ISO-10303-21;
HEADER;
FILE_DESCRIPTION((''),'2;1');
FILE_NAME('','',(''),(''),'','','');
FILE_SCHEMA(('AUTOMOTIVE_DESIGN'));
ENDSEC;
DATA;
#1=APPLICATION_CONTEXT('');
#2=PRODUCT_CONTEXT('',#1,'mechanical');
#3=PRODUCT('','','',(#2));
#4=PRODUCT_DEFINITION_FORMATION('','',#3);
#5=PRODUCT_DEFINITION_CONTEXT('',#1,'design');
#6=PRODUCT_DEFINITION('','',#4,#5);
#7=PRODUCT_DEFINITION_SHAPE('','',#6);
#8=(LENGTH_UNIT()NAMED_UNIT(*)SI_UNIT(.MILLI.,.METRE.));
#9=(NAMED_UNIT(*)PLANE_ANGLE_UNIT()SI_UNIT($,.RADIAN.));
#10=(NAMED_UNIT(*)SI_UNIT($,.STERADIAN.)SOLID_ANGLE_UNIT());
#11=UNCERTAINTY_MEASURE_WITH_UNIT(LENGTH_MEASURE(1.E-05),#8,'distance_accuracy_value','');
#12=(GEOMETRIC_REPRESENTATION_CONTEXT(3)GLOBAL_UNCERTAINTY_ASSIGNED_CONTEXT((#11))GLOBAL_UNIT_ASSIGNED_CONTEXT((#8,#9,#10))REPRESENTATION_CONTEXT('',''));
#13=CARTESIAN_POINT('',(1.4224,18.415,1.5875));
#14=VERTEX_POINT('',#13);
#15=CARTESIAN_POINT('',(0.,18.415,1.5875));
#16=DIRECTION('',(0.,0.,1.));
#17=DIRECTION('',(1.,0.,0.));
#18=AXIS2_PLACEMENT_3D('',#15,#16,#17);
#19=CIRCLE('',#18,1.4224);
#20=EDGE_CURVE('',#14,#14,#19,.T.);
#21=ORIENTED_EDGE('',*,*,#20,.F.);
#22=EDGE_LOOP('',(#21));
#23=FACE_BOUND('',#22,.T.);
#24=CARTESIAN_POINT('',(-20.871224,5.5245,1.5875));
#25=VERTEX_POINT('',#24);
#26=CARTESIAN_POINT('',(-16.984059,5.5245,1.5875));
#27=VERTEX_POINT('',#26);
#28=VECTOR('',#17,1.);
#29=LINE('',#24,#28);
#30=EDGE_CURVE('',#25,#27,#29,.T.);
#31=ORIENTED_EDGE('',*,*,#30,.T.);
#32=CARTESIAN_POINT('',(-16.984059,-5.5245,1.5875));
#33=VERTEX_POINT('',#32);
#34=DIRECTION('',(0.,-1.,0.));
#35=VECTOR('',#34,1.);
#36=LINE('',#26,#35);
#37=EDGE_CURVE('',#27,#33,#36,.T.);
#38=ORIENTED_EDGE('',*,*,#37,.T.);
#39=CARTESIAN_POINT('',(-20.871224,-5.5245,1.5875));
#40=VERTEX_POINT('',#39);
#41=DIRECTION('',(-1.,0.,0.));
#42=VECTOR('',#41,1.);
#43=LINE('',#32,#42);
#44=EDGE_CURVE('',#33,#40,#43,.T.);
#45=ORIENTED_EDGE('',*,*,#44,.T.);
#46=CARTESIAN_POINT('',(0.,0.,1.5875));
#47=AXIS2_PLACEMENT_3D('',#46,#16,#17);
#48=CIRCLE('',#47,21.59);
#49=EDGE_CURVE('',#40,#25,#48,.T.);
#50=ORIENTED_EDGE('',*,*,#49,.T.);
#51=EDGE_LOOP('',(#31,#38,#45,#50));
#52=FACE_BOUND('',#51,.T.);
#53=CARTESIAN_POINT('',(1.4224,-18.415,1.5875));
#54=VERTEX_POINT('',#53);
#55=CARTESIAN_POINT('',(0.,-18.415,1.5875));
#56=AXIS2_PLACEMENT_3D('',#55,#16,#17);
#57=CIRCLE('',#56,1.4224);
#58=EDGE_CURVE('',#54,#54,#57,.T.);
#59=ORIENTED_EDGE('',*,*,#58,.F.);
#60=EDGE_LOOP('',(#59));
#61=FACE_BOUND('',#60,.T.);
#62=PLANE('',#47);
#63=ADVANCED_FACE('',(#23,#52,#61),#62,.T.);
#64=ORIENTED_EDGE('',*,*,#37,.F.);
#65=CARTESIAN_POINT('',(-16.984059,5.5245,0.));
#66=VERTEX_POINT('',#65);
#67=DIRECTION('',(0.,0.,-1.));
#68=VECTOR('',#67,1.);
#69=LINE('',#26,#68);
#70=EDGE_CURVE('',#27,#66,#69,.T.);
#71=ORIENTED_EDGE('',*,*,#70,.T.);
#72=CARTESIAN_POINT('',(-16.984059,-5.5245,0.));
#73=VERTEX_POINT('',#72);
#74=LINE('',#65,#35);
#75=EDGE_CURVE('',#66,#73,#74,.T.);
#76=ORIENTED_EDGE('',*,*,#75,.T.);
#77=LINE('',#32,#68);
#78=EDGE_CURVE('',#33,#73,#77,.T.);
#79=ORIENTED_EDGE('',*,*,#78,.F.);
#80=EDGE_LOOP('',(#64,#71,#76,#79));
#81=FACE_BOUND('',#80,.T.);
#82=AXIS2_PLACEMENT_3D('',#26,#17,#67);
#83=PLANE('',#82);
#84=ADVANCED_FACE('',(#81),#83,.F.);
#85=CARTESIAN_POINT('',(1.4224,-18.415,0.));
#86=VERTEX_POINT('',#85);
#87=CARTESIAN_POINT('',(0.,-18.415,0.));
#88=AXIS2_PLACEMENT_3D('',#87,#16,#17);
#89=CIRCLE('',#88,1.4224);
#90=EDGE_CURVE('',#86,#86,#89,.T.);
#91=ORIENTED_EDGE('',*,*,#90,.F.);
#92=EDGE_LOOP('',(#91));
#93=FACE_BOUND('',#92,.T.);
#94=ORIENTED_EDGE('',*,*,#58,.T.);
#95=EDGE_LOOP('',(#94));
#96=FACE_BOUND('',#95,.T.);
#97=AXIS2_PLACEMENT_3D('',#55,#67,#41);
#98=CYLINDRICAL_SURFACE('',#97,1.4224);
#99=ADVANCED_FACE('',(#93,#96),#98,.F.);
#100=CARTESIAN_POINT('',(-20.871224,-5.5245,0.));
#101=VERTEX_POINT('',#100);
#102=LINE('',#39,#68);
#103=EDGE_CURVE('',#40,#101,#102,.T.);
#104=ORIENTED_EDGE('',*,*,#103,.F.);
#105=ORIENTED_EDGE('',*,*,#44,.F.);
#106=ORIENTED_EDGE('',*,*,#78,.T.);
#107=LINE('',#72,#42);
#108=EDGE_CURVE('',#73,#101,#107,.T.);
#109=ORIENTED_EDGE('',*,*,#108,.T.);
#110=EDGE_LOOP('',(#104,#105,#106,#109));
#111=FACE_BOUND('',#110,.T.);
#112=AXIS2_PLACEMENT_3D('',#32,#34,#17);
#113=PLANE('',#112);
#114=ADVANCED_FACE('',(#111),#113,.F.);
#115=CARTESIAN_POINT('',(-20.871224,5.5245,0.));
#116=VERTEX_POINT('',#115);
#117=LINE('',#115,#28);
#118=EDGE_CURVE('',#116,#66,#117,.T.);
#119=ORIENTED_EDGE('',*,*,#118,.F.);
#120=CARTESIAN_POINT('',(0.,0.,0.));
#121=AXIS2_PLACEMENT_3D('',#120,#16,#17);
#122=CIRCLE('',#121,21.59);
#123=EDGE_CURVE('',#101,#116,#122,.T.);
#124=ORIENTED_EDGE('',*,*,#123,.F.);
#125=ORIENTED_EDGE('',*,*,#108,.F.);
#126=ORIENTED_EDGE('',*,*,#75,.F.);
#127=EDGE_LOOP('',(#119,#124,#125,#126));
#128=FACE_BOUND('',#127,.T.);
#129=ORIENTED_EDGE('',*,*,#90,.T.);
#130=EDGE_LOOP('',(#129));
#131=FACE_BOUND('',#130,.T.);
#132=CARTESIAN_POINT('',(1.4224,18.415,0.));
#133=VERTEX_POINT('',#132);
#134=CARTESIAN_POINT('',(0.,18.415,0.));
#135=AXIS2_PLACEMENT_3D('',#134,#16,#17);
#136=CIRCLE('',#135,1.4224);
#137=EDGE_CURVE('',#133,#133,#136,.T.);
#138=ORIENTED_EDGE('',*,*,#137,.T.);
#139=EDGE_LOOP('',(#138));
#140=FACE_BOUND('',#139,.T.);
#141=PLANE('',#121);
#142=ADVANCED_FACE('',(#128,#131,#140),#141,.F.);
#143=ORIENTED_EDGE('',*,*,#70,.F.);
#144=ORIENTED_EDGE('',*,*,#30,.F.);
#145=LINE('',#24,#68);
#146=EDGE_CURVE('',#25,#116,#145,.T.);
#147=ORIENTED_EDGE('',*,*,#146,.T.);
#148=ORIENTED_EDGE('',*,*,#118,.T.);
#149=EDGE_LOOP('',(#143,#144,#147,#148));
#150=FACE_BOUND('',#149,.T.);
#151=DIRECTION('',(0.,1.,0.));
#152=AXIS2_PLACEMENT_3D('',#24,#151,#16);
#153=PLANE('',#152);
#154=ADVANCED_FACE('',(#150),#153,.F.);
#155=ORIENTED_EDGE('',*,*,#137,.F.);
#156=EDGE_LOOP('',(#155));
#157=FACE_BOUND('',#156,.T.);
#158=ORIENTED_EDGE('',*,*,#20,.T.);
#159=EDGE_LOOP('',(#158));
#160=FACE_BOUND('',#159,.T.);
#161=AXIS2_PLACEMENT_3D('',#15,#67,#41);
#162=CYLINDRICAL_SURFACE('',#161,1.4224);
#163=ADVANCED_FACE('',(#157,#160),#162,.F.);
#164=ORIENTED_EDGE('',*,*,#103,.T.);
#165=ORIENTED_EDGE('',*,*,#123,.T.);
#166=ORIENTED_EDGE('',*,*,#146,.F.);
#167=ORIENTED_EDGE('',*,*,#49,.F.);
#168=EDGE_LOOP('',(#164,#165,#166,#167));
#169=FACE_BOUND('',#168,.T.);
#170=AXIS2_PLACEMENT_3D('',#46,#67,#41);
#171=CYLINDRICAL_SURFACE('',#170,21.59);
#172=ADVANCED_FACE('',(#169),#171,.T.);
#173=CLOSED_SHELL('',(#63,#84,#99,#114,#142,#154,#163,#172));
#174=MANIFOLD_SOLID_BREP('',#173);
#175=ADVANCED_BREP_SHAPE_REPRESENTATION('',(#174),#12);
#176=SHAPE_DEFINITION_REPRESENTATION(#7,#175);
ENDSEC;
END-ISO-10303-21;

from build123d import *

# Parameters (mm, degrees)
SKETCH1_R           = 1.4224
BOSS_EXTRUDE1_DEPTH = 1.5875


with BuildPart() as part:
    # Sketch1 → Boss-Extrude1 (new body)
    with BuildSketch(Plane.XY):
        with BuildLine():
            Line((-20.871224203, 5.5245), (-16.984058744, 5.5245))
            Line((-16.984058744, 5.5245), (-16.984058744, -5.5245))
            Line((-16.984058744, -5.5245), (-20.871224203, -5.5245))
            ThreePointArc((-20.871224203, -5.5245), (21.59, 0), (-20.871224203, 5.5245))
        make_face()
        with Locations((0, 18.415)):
            Circle(SKETCH1_R, mode=Mode.SUBTRACT)
        with Locations((0, -18.415)):
            Circle(SKETCH1_R, mode=Mode.SUBTRACT)
    extrude(amount=BOSS_EXTRUDE1_DEPTH)


solid = part.part
